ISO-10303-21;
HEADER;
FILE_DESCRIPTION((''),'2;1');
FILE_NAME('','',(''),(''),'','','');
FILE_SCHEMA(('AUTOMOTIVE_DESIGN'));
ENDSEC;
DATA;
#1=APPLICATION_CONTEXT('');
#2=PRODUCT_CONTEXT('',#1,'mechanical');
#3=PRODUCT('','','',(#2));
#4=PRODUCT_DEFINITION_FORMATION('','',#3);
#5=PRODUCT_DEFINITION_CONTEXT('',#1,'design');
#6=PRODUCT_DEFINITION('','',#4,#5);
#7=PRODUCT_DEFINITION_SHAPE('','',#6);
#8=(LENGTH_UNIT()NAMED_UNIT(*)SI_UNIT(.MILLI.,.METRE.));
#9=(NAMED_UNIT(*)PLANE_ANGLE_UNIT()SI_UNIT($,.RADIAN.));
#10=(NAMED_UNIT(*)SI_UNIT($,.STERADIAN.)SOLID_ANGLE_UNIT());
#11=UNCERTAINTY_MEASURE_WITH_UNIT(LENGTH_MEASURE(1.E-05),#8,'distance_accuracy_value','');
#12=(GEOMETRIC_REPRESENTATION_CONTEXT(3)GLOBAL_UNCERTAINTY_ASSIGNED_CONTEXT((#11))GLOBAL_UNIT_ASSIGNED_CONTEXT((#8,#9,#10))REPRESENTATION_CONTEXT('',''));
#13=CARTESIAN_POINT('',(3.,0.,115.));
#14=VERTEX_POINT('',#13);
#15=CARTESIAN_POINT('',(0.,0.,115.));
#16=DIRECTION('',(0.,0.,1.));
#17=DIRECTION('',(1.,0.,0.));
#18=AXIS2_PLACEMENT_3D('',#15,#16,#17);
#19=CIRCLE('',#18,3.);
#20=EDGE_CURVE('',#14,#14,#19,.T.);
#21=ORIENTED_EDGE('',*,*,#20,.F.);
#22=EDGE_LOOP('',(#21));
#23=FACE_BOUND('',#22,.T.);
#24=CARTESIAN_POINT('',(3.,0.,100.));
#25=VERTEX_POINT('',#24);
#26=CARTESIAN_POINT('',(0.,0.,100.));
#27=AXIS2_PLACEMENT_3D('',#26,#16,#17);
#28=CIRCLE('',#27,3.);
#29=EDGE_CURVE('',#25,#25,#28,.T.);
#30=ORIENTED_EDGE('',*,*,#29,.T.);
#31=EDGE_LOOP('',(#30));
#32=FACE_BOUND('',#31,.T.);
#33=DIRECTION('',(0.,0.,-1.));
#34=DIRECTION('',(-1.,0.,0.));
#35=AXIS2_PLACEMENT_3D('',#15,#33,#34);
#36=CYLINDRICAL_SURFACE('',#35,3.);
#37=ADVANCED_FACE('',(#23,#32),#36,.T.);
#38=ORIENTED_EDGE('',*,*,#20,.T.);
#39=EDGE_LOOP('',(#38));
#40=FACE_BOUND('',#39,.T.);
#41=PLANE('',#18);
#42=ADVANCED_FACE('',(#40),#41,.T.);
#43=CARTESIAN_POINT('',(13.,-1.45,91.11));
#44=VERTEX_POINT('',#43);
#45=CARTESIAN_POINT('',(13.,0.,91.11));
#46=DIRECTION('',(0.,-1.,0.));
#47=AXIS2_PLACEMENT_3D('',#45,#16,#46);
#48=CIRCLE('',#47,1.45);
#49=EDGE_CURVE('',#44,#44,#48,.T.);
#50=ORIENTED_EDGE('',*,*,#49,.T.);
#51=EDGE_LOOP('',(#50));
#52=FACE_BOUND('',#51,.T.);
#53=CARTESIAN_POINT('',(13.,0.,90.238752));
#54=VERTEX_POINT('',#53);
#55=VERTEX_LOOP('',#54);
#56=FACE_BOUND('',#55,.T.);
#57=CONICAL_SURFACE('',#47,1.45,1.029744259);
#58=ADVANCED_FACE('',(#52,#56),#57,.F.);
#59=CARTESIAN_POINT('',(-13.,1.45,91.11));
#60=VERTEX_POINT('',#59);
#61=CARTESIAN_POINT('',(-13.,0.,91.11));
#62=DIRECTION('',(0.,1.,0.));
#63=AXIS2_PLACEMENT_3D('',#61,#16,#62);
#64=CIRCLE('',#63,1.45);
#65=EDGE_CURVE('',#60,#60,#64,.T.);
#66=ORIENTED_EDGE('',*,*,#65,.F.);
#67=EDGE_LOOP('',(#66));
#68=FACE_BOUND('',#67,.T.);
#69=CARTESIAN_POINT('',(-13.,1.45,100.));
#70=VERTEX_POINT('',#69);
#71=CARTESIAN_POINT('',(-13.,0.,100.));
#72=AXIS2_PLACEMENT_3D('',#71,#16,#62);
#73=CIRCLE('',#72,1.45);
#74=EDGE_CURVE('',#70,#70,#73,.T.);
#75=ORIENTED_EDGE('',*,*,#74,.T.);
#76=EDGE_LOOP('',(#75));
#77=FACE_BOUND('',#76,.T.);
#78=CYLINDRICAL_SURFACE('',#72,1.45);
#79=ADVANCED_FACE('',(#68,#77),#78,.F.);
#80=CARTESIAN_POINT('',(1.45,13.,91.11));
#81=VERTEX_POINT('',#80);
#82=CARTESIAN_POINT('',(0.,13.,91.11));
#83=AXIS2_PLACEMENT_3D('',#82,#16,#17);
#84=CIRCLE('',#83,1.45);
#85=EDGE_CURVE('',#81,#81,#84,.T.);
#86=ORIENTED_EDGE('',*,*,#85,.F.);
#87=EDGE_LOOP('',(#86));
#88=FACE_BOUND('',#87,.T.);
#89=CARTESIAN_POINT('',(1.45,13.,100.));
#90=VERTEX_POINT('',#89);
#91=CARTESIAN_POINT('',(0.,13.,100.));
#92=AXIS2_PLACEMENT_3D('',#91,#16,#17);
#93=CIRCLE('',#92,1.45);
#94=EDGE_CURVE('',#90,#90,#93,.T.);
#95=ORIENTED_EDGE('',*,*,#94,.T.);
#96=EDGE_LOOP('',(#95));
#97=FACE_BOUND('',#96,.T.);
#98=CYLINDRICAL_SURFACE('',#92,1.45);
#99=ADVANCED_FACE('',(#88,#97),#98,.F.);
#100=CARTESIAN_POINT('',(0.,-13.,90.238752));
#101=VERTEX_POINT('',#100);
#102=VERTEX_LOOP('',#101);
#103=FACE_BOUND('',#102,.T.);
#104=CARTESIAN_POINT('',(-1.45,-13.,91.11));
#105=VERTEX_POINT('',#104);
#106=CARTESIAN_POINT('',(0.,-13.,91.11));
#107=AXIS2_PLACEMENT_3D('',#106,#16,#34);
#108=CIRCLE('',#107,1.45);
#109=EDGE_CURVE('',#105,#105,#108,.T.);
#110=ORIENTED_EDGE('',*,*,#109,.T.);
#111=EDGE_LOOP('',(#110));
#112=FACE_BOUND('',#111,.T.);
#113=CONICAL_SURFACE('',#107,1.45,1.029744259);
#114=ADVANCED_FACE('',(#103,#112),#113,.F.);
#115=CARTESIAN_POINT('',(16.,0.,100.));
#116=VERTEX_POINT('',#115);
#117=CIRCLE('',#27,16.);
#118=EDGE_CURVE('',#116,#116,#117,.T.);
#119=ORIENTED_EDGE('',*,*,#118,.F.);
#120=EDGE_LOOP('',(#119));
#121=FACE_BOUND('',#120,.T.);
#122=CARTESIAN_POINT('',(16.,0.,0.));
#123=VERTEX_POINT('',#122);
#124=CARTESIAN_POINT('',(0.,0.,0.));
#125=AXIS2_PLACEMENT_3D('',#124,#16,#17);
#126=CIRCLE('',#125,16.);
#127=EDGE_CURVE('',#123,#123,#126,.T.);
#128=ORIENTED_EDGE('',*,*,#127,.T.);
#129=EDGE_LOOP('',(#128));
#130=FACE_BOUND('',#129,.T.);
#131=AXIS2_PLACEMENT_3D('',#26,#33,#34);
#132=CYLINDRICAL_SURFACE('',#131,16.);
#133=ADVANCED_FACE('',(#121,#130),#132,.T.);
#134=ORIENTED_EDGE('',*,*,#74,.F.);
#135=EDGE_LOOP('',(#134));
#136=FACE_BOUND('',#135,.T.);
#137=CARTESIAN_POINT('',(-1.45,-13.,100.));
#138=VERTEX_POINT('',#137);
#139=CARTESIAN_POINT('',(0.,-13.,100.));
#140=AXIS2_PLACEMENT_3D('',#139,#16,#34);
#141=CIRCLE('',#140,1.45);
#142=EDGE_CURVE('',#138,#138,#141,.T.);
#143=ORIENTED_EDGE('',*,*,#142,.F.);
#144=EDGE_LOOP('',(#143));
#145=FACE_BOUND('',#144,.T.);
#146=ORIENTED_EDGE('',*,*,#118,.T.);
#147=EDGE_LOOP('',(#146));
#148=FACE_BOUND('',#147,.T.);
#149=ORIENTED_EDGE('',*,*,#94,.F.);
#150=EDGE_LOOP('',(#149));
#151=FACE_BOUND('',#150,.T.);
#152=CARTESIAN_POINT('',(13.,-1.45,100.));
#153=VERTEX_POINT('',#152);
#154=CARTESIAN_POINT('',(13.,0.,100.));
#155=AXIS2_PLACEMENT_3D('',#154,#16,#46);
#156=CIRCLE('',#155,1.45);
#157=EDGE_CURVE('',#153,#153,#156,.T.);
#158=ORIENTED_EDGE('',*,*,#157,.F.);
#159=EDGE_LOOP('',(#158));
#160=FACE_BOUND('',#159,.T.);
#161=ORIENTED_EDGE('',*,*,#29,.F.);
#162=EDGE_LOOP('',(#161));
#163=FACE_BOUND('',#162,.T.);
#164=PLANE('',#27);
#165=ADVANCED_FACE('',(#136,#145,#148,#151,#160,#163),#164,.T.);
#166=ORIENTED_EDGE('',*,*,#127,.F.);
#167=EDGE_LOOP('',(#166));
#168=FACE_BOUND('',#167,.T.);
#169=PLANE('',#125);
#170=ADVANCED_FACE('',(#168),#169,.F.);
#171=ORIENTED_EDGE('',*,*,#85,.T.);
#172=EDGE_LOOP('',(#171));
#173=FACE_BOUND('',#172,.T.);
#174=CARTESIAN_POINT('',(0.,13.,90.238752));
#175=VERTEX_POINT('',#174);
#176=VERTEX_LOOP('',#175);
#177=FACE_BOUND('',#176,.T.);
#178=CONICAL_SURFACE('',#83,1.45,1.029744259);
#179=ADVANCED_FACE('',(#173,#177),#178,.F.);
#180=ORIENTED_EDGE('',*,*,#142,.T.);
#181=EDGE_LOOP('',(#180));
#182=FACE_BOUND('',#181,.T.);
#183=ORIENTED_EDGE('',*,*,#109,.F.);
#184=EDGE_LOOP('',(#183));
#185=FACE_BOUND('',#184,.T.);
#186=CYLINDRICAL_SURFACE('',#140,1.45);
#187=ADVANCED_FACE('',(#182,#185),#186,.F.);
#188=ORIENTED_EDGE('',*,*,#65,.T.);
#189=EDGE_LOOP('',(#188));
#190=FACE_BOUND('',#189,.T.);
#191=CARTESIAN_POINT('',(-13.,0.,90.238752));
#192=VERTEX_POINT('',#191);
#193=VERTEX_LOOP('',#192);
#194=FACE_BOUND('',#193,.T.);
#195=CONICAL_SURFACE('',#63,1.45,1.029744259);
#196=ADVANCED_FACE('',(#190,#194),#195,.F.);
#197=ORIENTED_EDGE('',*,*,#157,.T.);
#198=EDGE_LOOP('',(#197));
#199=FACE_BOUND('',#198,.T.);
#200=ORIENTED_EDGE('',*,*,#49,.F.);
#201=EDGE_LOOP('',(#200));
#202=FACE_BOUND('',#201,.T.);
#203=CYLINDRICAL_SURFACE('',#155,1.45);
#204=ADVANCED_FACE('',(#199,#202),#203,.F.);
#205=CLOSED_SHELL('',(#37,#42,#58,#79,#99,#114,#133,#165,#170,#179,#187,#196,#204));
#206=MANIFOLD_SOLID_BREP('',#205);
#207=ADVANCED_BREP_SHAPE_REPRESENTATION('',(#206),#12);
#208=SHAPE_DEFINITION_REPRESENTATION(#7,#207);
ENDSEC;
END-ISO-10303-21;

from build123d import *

# Parameters (mm, degrees)
SKETCH1_R           = 16
BOSS_EXTRUDE1_DEPTH = 100
SKETCH2_R           = 3
BOSS_EXTRUDE2_DEPTH = 15
CIRPATTERN1_COUNT   = 4


with BuildPart() as part:
    # Sketch1 → Boss-Extrude1 (new body)
    with BuildSketch(Plane.XY):
        Circle(SKETCH1_R)
    extrude(amount=BOSS_EXTRUDE1_DEPTH)

    # Sketch2 → Boss-Extrude2 (add)
    with BuildSketch(Plane.XY.offset(100)):
        Circle(SKETCH2_R)
    extrude(amount=BOSS_EXTRUDE2_DEPTH)

    # Sketch6 → M3.5x0.6 Tapped Hole1 (revolve, cut)
    with BuildSketch(Plane(origin=(0, 13, 100), x_dir=(0, -1, 0), z_dir=(1, 0, 0))):
        Polygon((0, 0), (0, 9.761247898), (1.45, 8.89), (1.45, 0), align=None)
    m3_5x0_6_tapped_hole1 = revolve(axis=Axis((0, 13, 106.35), (0, 0, -1)), mode=Mode.SUBTRACT)

    # CirPattern1: M3.5x0.6 Tapped Hole1 ×4 about axis
    cirpattern1_axis = Axis((0, 0, 0), (0, 0, 1))
    for i in range(1, CIRPATTERN1_COUNT):
        add(m3_5x0_6_tapped_hole1.rotate(cirpattern1_axis, i * 360 / CIRPATTERN1_COUNT), mode=Mode.SUBTRACT)


solid = part.part
